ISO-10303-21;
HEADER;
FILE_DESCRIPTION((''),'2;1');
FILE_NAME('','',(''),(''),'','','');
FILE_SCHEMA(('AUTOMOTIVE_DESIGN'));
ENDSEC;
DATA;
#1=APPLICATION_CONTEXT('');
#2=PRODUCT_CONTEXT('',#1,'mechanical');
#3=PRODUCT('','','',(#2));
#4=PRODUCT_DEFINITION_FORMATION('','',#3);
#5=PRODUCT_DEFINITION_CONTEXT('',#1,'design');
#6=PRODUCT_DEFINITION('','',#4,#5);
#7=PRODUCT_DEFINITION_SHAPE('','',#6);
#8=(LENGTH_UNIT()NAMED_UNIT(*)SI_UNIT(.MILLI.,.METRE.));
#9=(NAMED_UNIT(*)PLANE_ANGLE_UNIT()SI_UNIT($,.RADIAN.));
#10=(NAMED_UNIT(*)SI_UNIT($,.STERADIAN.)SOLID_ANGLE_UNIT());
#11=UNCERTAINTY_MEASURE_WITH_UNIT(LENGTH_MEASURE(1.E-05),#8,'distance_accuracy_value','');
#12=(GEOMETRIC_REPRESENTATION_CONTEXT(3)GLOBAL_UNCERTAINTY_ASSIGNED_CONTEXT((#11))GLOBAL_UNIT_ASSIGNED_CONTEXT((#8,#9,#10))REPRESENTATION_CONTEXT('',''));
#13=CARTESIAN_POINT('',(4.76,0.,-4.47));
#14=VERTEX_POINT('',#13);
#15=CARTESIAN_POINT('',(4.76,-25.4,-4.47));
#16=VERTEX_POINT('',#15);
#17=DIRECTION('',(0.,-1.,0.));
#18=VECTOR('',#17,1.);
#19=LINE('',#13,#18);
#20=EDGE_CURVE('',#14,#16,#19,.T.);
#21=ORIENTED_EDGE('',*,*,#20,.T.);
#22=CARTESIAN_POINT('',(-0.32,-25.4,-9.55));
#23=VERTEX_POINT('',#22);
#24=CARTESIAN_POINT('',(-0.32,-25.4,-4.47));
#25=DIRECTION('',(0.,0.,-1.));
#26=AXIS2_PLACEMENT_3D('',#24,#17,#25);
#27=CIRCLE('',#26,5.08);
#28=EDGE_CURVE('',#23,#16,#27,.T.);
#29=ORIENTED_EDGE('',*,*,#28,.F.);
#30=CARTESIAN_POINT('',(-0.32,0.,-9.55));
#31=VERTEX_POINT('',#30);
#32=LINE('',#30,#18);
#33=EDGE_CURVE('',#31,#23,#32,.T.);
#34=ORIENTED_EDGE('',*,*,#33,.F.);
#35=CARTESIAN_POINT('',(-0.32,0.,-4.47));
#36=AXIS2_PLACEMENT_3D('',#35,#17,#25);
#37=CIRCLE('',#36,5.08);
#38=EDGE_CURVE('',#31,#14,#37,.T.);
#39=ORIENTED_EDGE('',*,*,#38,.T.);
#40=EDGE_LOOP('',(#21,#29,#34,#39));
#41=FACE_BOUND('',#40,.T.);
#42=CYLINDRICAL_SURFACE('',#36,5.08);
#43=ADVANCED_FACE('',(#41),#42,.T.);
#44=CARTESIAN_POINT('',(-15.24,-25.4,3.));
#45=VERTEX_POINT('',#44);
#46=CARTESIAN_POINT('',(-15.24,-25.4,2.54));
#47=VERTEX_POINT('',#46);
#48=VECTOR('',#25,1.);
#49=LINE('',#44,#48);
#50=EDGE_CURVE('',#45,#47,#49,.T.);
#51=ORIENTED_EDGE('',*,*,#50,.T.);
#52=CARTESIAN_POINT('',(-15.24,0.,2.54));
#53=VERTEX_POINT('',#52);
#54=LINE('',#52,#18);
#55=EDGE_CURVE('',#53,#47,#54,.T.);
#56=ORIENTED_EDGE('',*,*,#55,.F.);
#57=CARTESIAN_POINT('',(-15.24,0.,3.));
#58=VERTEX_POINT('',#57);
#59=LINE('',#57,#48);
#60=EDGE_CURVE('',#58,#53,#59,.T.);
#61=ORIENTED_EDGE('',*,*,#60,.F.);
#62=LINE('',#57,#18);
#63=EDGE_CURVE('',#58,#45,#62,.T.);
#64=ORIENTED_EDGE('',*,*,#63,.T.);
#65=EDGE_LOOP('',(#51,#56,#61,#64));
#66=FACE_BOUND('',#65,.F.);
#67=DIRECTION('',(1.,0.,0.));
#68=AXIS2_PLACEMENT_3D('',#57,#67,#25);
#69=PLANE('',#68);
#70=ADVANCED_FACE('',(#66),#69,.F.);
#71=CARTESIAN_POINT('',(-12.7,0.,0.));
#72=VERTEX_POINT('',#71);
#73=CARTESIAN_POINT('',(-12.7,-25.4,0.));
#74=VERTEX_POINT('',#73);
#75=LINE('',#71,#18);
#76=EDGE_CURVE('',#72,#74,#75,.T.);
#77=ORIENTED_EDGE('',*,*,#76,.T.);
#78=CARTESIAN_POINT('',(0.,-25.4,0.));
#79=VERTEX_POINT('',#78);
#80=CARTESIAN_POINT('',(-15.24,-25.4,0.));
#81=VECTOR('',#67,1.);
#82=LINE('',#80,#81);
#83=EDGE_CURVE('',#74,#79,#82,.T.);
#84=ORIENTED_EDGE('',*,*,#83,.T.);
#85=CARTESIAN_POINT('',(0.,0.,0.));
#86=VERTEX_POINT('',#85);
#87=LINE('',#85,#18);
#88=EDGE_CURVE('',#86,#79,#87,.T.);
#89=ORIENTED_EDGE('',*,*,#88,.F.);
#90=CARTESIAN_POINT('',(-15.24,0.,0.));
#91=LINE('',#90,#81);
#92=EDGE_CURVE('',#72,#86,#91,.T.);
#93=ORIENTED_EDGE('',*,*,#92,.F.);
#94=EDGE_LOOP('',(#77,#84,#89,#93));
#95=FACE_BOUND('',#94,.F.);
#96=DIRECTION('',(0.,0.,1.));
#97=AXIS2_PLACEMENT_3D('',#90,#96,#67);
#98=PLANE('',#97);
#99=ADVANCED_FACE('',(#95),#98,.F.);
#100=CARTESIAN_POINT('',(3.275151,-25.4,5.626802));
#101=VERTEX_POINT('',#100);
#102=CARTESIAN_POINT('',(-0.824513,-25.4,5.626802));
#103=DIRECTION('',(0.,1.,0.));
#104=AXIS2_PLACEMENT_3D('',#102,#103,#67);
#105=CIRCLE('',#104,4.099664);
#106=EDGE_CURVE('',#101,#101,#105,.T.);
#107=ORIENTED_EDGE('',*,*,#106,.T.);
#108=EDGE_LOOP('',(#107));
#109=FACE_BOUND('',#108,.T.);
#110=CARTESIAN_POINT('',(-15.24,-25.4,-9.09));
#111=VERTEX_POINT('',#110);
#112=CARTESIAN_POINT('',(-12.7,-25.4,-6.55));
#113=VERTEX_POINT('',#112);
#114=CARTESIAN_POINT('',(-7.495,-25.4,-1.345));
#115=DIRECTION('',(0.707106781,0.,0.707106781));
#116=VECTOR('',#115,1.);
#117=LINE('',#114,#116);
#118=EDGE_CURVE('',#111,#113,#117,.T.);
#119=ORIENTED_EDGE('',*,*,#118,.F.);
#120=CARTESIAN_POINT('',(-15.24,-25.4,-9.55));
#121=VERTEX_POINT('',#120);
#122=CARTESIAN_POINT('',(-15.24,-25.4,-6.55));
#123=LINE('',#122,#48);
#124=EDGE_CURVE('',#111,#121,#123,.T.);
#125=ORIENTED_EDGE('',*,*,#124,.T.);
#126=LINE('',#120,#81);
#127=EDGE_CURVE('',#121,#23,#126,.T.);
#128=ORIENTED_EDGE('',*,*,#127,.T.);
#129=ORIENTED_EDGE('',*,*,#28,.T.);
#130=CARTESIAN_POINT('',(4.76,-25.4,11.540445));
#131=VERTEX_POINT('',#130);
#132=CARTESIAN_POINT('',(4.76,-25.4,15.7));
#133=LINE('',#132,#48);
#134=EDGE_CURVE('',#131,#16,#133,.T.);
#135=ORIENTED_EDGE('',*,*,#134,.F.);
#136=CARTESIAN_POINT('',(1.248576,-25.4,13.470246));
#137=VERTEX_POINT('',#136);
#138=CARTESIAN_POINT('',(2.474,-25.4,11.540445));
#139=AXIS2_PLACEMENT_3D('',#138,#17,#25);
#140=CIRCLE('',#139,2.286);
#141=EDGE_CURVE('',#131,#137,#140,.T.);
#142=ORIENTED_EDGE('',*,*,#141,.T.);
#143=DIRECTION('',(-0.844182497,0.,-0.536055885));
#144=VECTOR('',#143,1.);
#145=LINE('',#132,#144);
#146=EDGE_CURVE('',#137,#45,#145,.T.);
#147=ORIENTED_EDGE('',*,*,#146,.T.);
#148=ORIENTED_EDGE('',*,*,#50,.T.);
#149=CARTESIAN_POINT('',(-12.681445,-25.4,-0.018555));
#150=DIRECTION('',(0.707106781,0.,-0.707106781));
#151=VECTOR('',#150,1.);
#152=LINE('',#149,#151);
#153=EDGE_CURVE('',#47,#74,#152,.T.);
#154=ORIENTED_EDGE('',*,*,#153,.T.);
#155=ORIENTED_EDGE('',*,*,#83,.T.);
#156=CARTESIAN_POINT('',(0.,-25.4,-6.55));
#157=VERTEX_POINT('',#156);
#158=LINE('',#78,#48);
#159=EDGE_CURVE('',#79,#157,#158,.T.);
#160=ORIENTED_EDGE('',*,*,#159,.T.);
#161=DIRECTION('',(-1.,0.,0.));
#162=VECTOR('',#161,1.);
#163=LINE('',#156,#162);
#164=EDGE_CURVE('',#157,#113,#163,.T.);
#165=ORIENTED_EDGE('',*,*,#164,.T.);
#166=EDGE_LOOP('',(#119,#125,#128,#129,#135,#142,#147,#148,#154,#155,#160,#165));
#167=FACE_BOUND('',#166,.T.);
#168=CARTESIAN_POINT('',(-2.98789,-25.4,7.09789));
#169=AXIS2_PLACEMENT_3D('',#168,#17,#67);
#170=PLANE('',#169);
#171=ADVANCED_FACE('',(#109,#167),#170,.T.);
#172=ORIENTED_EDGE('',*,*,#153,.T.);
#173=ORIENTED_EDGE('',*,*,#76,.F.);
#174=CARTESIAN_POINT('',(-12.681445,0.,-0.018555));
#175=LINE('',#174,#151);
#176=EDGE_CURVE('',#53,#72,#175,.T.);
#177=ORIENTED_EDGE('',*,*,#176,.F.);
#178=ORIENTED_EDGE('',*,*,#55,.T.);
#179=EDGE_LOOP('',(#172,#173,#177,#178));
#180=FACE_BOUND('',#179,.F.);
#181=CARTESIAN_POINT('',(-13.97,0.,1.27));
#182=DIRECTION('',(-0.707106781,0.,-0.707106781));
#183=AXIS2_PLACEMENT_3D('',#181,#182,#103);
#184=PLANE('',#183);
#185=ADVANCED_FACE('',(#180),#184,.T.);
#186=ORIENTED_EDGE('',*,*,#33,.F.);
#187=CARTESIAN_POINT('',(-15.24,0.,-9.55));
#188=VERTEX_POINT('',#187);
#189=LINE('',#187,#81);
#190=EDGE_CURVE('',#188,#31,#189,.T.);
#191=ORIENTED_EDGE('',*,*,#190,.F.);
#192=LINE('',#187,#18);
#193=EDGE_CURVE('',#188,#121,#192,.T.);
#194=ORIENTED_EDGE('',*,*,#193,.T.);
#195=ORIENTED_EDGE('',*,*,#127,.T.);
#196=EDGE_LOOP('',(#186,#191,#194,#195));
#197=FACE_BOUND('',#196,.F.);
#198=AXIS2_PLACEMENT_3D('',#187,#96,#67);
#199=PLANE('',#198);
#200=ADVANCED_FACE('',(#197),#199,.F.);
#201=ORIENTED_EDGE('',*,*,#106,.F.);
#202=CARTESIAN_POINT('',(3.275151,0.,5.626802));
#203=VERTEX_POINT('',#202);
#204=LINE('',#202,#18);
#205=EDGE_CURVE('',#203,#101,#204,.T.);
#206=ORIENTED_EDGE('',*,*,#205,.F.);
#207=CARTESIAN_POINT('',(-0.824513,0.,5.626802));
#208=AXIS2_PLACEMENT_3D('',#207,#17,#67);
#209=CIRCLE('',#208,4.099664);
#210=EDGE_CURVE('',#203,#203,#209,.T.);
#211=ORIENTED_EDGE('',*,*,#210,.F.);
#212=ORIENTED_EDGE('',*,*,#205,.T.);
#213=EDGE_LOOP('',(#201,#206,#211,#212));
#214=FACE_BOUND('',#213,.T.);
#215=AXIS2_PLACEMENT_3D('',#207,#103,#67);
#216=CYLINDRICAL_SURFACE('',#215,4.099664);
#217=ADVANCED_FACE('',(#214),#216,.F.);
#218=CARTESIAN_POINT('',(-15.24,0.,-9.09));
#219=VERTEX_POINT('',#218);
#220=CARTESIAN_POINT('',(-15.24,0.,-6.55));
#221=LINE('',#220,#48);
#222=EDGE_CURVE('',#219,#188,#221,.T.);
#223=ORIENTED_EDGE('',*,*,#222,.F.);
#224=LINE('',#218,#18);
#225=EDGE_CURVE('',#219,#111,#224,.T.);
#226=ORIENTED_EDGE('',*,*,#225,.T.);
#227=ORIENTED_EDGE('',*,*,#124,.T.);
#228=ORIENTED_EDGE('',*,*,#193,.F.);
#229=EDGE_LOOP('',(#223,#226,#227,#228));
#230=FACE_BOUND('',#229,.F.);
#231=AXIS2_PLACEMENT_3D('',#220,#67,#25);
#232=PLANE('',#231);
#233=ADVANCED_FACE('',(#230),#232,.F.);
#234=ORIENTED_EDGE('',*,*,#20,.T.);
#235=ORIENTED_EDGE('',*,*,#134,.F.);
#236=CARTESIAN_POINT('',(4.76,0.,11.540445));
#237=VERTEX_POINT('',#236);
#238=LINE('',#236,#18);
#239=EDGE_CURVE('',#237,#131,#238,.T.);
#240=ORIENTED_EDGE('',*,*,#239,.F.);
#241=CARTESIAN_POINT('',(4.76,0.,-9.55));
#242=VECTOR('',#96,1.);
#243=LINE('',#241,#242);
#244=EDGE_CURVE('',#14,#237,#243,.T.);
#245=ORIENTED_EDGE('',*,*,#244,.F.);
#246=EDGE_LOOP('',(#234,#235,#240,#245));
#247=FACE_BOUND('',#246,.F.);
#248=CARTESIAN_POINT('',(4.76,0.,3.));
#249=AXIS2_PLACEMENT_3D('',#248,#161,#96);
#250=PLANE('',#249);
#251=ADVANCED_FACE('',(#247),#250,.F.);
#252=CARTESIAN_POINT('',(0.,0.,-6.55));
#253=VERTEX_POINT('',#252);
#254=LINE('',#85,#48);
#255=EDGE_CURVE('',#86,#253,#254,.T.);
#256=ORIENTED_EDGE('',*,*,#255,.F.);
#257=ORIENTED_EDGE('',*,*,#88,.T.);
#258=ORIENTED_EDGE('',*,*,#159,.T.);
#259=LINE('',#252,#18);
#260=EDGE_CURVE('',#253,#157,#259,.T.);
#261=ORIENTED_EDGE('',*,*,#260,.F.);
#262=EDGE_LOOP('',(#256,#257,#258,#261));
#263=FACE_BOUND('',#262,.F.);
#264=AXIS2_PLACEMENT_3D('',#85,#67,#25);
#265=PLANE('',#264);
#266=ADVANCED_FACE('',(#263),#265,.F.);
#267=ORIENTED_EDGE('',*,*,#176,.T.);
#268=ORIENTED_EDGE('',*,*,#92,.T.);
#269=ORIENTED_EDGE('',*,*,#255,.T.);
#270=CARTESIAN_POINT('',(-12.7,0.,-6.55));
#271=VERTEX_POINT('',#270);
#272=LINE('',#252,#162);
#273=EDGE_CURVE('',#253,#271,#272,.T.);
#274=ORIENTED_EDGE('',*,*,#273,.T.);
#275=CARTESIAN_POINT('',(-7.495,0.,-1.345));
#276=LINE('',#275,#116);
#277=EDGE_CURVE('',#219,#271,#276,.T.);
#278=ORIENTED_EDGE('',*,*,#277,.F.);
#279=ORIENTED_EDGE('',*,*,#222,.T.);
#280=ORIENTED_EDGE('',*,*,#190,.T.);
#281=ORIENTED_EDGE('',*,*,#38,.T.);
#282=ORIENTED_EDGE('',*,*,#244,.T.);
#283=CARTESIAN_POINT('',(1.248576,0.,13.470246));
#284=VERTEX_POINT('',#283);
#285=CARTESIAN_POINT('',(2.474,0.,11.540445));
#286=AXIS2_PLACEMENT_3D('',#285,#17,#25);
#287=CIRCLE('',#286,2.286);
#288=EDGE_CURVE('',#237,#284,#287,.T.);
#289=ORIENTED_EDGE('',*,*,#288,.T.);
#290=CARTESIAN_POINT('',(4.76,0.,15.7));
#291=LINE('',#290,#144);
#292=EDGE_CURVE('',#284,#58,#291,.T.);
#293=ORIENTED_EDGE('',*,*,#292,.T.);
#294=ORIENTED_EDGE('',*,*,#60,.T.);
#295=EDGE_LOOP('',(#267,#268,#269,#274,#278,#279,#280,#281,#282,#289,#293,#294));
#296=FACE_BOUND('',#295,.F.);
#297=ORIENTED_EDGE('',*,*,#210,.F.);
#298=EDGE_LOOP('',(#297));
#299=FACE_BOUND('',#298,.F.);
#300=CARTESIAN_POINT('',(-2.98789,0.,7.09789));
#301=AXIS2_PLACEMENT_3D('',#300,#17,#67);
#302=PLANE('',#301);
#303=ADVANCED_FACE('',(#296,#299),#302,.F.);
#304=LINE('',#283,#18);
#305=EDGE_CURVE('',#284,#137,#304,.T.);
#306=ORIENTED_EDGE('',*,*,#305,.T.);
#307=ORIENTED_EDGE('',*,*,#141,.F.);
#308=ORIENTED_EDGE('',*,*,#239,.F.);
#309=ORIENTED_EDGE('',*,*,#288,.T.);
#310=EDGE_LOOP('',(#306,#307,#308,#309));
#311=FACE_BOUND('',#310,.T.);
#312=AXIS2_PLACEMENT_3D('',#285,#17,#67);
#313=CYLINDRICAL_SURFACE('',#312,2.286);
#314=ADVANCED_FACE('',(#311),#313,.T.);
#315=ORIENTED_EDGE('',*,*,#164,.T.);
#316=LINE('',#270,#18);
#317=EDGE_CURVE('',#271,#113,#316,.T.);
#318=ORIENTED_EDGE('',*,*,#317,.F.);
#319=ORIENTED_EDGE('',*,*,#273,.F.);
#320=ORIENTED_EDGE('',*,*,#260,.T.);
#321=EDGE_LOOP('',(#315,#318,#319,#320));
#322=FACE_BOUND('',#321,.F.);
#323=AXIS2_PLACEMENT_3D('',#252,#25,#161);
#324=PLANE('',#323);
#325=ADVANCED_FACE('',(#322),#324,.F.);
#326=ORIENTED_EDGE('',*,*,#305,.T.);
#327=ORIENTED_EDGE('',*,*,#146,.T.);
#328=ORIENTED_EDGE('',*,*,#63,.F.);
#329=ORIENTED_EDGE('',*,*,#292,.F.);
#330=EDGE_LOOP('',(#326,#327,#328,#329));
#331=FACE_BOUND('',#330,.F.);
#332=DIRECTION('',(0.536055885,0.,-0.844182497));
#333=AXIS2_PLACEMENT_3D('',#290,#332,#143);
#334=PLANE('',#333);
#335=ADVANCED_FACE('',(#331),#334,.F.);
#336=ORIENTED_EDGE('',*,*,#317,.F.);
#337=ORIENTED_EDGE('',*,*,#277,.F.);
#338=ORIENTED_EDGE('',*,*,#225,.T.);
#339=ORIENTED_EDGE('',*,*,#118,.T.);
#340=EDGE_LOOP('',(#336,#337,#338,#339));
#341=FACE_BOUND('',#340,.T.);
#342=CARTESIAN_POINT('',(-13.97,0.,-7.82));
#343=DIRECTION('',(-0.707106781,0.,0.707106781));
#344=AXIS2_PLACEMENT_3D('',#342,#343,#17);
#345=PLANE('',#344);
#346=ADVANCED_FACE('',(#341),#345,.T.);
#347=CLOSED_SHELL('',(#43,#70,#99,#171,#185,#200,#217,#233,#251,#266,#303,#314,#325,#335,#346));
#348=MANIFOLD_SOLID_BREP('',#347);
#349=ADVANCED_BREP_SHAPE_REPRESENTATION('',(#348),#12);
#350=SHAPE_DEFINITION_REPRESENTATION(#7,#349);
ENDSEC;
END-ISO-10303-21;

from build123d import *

# Parameters (mm, degrees)
F1_DEPTH      = 25.4
F2_DEPTH      = 25.4
F3_R          = 5.08
F4_R          = 2.286
F5_SIZE       = 2.54
F6_R          = 4.0996644409
F7_DEPTH      = 25.4
F7_DEPTH_BACK = 254


with BuildPart() as f1:
    # F0 (on Front) → F1 (new body)
    with BuildSketch(Plane.XZ):
        Polygon((-15.24, 0), (0, 0), (0, -6.55), (-15.24, -6.55), (-15.24, -9.55), (4.76, -9.55), (4.76, 3), (-15.24, 3), align=None)
    extrude(amount=F1_DEPTH)

    # F0 (on Front) → F2 (join)
    with BuildSketch(Plane.XZ):
        Polygon((4.76, 15.7), (-15.24, 3), (4.76, 3), align=None)
    extrude(amount=F2_DEPTH)

    # F3
    f3_edges = [f1.edges().sort_by_distance(p)[0] for p in [
        (4.76, -12.7, -9.55),
    ]]
    fillet(f3_edges, radius=F3_R)

    # F4
    f4_edges = [f1.edges().sort_by_distance(p)[0] for p in [
        (4.76, -12.7, 15.7),
    ]]
    fillet(f4_edges, radius=F4_R)

    # F5
    f5_edges = [f1.edges().sort_by_distance(p)[0] for p in [
        (-15.24, -12.7, 0),
        (-15.24, -12.7, -6.55),
    ]]
    chamfer(f5_edges, length=F5_SIZE)

    # F6 (on Front) → F7 (cut, two sides)
    with BuildSketch(Plane.XZ) as f7_sk:
        with Locations((-0.8245132631, 5.626801867)):
            Circle(F6_R)
    extrude(amount=-F7_DEPTH, mode=Mode.SUBTRACT)
    extrude(f7_sk.sketch, amount=F7_DEPTH_BACK, mode=Mode.SUBTRACT)


solid = f1.part
